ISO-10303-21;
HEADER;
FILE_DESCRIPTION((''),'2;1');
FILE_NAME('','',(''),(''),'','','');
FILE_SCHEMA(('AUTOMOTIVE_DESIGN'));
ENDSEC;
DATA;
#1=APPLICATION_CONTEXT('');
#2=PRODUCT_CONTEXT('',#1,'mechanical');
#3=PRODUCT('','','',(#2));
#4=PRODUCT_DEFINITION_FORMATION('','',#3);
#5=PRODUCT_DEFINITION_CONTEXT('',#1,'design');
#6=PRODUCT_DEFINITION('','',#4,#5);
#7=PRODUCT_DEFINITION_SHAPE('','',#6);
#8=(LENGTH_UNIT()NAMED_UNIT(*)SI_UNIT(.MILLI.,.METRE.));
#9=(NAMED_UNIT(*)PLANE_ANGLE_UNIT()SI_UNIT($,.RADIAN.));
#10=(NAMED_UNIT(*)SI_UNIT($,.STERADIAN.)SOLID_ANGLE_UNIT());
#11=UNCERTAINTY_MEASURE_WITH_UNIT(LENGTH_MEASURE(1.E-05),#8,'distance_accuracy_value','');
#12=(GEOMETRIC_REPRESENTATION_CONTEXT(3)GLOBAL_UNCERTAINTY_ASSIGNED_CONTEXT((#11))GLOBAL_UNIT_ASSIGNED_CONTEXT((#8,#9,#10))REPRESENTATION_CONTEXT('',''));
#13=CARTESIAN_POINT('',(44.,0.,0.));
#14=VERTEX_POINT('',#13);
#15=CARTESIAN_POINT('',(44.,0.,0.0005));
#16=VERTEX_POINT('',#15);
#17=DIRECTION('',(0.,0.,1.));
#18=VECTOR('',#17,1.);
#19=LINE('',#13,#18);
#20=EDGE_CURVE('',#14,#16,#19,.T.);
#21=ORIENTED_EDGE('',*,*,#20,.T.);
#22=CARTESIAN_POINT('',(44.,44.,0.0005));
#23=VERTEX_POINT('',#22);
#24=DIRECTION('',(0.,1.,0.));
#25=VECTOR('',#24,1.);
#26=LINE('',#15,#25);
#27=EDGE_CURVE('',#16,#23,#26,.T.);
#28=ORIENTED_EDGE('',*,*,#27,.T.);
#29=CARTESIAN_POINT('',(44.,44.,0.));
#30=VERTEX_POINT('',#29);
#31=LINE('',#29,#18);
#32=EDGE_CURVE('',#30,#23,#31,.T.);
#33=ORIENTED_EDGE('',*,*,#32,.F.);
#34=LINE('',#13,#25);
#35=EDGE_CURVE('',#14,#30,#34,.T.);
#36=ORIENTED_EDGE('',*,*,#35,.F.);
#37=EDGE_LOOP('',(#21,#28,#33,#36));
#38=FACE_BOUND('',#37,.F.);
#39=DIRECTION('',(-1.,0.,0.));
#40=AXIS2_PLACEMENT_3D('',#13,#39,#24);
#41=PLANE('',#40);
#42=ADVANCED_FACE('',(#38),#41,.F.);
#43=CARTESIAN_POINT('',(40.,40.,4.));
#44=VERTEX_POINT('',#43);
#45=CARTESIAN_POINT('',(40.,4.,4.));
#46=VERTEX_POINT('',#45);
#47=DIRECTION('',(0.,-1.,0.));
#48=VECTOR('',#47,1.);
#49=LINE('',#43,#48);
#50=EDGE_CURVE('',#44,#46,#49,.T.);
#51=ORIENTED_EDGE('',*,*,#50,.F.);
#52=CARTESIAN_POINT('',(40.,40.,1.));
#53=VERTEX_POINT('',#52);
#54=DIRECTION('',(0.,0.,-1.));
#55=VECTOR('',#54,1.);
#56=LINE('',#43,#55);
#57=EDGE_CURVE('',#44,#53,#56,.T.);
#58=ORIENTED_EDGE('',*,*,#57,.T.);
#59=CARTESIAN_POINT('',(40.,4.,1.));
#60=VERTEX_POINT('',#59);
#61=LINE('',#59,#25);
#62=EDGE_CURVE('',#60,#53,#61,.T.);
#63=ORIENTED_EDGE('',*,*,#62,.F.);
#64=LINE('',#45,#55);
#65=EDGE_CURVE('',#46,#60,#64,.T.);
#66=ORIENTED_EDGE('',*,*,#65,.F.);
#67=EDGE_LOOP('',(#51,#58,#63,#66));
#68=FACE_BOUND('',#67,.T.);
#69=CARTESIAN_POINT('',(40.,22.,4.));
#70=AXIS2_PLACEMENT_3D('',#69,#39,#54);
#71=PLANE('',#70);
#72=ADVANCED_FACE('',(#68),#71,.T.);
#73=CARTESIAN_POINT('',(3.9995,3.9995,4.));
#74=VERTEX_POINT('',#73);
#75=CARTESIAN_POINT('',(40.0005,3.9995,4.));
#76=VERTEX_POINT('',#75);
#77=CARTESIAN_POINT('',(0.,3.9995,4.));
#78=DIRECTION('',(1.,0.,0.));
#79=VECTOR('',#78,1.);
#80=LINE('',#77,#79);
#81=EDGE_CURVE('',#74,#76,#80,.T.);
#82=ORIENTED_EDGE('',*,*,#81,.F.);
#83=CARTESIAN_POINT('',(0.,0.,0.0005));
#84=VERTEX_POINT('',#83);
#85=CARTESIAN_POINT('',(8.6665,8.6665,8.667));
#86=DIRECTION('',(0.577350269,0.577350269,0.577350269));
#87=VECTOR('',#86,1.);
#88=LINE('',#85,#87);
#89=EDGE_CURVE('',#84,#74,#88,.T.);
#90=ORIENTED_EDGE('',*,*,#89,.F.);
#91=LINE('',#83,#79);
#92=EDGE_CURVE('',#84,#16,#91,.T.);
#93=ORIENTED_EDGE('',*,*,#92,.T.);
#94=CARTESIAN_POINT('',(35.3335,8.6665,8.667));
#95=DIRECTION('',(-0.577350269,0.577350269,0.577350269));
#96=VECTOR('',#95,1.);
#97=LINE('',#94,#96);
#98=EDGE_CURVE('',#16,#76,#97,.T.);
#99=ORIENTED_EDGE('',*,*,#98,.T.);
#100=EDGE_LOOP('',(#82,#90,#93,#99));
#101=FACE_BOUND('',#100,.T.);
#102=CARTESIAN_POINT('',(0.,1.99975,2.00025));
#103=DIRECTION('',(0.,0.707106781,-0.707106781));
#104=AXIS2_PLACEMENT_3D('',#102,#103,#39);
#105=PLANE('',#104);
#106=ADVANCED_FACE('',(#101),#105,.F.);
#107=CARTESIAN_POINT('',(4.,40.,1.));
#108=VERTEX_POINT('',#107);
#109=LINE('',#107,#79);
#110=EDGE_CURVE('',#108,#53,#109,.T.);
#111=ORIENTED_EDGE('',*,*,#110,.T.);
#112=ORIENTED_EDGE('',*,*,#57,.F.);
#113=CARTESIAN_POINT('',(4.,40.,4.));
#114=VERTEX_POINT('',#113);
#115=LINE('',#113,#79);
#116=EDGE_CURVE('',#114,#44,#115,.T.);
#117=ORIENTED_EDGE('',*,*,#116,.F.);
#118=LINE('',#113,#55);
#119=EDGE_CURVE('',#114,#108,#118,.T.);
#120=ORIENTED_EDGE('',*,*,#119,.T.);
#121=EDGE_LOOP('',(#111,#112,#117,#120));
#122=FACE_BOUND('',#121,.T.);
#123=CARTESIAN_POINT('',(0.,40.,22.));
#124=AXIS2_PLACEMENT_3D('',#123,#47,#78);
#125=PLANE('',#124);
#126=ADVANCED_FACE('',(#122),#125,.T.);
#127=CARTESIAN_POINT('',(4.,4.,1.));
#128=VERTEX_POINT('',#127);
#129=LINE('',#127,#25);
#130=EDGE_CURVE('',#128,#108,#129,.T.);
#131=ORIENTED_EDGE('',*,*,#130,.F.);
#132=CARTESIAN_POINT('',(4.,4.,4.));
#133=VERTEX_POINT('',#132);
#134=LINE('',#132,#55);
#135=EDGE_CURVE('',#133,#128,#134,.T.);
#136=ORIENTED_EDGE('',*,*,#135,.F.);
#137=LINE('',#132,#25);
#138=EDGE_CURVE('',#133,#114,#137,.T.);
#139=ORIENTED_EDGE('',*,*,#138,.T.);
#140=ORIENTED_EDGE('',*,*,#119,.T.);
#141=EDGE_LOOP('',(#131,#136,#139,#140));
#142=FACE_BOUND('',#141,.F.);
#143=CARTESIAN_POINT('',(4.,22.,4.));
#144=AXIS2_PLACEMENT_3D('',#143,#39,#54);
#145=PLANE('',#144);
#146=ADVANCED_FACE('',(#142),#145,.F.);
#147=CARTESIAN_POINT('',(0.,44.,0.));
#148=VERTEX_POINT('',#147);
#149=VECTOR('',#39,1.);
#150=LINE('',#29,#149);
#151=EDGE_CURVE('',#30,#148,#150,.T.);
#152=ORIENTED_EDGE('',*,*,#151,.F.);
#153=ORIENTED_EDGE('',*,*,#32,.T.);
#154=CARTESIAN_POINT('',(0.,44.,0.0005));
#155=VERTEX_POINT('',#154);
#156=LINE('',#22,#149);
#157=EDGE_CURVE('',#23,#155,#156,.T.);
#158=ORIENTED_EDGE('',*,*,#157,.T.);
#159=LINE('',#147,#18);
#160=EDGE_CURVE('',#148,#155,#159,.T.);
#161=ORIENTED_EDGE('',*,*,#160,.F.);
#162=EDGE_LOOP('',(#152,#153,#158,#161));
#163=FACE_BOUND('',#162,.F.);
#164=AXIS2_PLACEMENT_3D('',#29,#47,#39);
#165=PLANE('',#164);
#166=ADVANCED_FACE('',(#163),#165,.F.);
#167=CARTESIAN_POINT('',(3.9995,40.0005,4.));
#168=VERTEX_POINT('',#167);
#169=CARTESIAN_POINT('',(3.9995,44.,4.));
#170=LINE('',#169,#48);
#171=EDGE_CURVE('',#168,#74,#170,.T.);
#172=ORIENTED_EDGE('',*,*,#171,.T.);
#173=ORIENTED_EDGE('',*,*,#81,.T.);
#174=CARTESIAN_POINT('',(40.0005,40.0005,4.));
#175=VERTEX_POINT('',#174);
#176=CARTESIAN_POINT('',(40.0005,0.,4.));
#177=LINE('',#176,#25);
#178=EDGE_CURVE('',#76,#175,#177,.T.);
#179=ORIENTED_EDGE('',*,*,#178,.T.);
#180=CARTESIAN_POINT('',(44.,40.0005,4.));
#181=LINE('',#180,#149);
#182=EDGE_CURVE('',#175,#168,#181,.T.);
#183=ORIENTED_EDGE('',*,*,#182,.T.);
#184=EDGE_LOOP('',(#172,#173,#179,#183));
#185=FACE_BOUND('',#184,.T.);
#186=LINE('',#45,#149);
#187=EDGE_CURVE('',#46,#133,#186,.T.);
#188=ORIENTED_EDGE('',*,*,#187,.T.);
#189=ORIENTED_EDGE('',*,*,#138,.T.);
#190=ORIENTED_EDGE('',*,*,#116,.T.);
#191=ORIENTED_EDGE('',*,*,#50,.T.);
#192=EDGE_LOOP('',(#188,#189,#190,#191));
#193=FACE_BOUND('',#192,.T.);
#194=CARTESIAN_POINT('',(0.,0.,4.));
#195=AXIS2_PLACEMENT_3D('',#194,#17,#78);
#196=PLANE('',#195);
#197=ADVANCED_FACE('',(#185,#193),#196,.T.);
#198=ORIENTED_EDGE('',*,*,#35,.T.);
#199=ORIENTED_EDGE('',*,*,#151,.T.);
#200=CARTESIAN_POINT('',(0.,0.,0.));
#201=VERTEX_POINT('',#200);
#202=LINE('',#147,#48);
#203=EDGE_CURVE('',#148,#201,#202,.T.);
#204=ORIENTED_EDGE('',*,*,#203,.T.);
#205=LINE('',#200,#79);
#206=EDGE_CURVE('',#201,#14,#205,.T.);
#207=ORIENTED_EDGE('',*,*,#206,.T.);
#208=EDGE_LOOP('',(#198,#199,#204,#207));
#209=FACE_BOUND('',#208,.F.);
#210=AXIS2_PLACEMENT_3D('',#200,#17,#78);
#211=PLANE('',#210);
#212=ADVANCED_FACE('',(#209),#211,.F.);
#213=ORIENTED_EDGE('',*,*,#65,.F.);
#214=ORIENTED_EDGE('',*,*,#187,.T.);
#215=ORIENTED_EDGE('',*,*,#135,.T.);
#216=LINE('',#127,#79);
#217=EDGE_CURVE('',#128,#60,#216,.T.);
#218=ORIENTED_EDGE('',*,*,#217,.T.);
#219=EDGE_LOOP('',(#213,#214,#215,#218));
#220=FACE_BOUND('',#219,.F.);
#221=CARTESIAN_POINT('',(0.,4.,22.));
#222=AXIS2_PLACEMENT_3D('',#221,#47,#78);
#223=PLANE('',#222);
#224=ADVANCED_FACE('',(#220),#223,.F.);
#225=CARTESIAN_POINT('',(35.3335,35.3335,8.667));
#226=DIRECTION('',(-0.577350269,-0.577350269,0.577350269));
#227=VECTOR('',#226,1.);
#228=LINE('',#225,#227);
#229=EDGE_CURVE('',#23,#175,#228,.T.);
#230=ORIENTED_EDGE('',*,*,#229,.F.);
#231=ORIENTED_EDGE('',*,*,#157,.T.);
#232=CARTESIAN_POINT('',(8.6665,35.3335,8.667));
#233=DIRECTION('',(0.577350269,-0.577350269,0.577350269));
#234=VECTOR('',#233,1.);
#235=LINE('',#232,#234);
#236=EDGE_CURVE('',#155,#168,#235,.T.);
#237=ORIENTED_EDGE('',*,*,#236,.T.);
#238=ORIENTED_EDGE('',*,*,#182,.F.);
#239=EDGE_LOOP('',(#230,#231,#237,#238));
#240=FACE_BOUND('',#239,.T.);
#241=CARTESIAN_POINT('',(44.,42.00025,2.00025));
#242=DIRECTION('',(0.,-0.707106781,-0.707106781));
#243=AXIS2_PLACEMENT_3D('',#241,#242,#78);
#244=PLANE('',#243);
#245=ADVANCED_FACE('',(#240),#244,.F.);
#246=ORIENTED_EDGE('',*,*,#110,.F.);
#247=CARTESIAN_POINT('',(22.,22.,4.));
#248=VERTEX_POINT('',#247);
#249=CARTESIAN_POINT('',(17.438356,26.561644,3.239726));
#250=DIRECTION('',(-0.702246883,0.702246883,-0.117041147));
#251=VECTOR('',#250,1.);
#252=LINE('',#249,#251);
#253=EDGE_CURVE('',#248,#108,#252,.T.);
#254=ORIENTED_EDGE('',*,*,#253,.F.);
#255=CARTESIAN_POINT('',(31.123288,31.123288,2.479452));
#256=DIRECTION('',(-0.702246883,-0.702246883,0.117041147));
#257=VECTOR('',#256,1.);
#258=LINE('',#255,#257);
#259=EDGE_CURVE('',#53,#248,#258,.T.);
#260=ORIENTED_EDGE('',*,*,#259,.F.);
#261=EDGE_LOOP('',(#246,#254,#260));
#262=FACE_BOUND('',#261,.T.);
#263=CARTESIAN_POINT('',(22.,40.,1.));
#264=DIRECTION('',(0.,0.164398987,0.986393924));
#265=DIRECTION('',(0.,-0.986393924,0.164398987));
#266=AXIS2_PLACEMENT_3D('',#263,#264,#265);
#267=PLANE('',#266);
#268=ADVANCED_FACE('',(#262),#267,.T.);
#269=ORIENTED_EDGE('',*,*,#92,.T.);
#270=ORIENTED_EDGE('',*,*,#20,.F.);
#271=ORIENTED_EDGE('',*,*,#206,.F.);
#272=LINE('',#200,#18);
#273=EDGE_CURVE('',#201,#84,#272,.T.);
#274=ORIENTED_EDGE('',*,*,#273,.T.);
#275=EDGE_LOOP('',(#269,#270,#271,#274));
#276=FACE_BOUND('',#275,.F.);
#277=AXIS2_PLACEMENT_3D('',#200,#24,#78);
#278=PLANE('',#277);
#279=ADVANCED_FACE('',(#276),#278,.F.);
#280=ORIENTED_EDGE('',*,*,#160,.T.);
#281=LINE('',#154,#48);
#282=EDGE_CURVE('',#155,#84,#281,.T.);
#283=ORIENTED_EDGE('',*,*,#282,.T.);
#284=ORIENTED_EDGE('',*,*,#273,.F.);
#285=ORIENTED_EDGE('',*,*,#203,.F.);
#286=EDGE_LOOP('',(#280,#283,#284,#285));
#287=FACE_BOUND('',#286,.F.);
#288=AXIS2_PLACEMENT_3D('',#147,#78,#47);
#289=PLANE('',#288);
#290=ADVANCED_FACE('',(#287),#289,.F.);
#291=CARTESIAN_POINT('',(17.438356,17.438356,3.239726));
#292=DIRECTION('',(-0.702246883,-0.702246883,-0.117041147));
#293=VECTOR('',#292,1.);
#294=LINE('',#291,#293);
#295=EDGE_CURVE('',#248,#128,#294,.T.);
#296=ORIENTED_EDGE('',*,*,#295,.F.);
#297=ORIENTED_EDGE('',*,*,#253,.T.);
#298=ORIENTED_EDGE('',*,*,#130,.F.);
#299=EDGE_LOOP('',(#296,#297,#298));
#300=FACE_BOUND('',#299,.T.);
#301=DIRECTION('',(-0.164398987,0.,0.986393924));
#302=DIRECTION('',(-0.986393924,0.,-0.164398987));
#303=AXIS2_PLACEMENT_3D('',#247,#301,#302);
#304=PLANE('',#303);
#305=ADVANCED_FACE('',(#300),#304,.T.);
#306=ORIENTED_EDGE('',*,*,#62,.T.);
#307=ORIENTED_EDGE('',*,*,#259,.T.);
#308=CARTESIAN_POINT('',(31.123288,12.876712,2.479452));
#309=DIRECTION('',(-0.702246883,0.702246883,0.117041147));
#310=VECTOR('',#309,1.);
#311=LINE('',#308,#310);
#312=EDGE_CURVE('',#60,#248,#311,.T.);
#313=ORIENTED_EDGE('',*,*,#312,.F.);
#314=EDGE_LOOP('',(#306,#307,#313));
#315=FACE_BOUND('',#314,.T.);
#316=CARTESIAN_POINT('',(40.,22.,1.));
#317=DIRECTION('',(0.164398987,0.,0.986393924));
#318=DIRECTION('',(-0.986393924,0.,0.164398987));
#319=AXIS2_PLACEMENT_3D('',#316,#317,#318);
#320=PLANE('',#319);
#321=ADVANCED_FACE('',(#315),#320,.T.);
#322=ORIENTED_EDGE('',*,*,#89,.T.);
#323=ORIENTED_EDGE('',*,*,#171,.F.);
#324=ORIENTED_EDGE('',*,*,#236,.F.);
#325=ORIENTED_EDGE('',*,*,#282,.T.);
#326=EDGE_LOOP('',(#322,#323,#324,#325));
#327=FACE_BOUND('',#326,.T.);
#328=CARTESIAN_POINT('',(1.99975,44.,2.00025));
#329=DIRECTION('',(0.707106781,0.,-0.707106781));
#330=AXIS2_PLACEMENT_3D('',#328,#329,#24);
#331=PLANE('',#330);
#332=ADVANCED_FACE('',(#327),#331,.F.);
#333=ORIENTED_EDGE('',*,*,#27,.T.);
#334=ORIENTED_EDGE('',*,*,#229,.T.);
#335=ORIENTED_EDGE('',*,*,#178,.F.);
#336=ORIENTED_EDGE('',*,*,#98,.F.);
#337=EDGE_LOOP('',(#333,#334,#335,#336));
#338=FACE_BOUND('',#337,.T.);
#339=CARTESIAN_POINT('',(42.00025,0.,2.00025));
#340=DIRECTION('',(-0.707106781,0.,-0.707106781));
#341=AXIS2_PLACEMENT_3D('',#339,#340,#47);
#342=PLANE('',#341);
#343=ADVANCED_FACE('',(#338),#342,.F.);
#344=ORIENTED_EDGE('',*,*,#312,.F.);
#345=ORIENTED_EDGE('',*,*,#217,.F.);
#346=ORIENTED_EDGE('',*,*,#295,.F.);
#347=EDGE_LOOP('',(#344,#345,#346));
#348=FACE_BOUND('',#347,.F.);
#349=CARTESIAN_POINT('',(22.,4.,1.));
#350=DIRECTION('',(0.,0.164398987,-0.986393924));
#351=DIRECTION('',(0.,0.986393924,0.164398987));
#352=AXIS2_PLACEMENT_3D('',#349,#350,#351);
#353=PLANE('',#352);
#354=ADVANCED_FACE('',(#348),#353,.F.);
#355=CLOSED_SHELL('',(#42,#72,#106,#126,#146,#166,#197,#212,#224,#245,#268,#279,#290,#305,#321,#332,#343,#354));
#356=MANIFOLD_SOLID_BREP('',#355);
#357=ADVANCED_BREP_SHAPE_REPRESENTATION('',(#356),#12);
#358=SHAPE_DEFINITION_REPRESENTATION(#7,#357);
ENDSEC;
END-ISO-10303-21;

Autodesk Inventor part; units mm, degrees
ref_plane "YZ Plane" through (0, 0, 0) normal (1, 0, 0) x (0, 1, 0)
ref_plane "XZ Plane" through (0, 0, 0) normal (0, 1, 0) x (-1, 0, 0)
ref_plane "XY Plane" through (0, 0, 0) normal (0, 0, 1) x (1, 0, 0)
sketch "Sketch1" plane through (0, 0, 0) normal (0, 0, 1) x (1, 0, 0)
  line L0 (0, 0) -> (44, 0)
  line L1 (44, 0) -> (44, 44)
  line L2 (44, 44) -> (0, 44)
  line L3 (0, 44) -> (0, 0)
  dimension "d0" = 44
  dimension "d1" = 44
extrude "Extrusion1" add sketch "Sketch1" along normal blind 4
chamfer "Chamfer1" distance 4 angle 45 4 edges at (22, 44, 4) (44, 22, 4) (22, 0, 4) (0, 22, 4)
ref_plane "Work Plane1" through (0, 22, 22) normal (0, -1, 0) x (1, 0, 0)
sketch "Sketch5" plane through (0, 22, 22) normal (0, -1, 0) x (1, 0, 0)
  line L0 (40, -18) -> (4, -18) projected
  line L1 (4, -18) -> (0, -22) projected
  line L2 (0, -22) -> (44, -22) projected
  line L3 (40, -18) -> (44, -22) projected
  line L4 (4, -18) -> (4, -22)
  line L5 (40, -18) -> (40, -22)
  line L6 (40, -22) -> (40, -21)
  line L7 (40, -21) -> (22, -18)
  line L8 (4, -22) -> (4, -21)
  line L9 (22, -18) -> (4, -21)
  dimension "d25" = 1
extrude "Extrusion4" cut sketch "Sketch5" against normal mid plane 36 contours L5 L7 L0 | L9 L4 L0
ref_plane "Work Plane2" through (22, 0, 22) normal (-1, 0, 0) x (0, -1, 0)
sketch "Sketch6" plane through (22, 0, 22) normal (-1, 0, 0) x (0, -1, 0)
  line L0 (-4, -18) -> (-40, -18) projected
  line L1 (-4, -18) -> (-4, -21) projected
  line L2 (-40, -21) -> (-40, -18) projected
  line L3 (-40, -21) -> (-4, -21) projected
  line L4 (-4, -21) -> (-22, -18)
  line L5 (-40, -18) -> (-4, -18) projected
  line L6 (-4, -21) -> (-40, -21) projected
  line L7 (-40, -21) -> (-22, -18)
  point P0 (0, -22)
extrude "Extrusion5" cut sketch "Sketch6" along normal mid plane 36 contours L1 L4 L0 | L7 L2 L0
properties part number "clear-square-inset"
